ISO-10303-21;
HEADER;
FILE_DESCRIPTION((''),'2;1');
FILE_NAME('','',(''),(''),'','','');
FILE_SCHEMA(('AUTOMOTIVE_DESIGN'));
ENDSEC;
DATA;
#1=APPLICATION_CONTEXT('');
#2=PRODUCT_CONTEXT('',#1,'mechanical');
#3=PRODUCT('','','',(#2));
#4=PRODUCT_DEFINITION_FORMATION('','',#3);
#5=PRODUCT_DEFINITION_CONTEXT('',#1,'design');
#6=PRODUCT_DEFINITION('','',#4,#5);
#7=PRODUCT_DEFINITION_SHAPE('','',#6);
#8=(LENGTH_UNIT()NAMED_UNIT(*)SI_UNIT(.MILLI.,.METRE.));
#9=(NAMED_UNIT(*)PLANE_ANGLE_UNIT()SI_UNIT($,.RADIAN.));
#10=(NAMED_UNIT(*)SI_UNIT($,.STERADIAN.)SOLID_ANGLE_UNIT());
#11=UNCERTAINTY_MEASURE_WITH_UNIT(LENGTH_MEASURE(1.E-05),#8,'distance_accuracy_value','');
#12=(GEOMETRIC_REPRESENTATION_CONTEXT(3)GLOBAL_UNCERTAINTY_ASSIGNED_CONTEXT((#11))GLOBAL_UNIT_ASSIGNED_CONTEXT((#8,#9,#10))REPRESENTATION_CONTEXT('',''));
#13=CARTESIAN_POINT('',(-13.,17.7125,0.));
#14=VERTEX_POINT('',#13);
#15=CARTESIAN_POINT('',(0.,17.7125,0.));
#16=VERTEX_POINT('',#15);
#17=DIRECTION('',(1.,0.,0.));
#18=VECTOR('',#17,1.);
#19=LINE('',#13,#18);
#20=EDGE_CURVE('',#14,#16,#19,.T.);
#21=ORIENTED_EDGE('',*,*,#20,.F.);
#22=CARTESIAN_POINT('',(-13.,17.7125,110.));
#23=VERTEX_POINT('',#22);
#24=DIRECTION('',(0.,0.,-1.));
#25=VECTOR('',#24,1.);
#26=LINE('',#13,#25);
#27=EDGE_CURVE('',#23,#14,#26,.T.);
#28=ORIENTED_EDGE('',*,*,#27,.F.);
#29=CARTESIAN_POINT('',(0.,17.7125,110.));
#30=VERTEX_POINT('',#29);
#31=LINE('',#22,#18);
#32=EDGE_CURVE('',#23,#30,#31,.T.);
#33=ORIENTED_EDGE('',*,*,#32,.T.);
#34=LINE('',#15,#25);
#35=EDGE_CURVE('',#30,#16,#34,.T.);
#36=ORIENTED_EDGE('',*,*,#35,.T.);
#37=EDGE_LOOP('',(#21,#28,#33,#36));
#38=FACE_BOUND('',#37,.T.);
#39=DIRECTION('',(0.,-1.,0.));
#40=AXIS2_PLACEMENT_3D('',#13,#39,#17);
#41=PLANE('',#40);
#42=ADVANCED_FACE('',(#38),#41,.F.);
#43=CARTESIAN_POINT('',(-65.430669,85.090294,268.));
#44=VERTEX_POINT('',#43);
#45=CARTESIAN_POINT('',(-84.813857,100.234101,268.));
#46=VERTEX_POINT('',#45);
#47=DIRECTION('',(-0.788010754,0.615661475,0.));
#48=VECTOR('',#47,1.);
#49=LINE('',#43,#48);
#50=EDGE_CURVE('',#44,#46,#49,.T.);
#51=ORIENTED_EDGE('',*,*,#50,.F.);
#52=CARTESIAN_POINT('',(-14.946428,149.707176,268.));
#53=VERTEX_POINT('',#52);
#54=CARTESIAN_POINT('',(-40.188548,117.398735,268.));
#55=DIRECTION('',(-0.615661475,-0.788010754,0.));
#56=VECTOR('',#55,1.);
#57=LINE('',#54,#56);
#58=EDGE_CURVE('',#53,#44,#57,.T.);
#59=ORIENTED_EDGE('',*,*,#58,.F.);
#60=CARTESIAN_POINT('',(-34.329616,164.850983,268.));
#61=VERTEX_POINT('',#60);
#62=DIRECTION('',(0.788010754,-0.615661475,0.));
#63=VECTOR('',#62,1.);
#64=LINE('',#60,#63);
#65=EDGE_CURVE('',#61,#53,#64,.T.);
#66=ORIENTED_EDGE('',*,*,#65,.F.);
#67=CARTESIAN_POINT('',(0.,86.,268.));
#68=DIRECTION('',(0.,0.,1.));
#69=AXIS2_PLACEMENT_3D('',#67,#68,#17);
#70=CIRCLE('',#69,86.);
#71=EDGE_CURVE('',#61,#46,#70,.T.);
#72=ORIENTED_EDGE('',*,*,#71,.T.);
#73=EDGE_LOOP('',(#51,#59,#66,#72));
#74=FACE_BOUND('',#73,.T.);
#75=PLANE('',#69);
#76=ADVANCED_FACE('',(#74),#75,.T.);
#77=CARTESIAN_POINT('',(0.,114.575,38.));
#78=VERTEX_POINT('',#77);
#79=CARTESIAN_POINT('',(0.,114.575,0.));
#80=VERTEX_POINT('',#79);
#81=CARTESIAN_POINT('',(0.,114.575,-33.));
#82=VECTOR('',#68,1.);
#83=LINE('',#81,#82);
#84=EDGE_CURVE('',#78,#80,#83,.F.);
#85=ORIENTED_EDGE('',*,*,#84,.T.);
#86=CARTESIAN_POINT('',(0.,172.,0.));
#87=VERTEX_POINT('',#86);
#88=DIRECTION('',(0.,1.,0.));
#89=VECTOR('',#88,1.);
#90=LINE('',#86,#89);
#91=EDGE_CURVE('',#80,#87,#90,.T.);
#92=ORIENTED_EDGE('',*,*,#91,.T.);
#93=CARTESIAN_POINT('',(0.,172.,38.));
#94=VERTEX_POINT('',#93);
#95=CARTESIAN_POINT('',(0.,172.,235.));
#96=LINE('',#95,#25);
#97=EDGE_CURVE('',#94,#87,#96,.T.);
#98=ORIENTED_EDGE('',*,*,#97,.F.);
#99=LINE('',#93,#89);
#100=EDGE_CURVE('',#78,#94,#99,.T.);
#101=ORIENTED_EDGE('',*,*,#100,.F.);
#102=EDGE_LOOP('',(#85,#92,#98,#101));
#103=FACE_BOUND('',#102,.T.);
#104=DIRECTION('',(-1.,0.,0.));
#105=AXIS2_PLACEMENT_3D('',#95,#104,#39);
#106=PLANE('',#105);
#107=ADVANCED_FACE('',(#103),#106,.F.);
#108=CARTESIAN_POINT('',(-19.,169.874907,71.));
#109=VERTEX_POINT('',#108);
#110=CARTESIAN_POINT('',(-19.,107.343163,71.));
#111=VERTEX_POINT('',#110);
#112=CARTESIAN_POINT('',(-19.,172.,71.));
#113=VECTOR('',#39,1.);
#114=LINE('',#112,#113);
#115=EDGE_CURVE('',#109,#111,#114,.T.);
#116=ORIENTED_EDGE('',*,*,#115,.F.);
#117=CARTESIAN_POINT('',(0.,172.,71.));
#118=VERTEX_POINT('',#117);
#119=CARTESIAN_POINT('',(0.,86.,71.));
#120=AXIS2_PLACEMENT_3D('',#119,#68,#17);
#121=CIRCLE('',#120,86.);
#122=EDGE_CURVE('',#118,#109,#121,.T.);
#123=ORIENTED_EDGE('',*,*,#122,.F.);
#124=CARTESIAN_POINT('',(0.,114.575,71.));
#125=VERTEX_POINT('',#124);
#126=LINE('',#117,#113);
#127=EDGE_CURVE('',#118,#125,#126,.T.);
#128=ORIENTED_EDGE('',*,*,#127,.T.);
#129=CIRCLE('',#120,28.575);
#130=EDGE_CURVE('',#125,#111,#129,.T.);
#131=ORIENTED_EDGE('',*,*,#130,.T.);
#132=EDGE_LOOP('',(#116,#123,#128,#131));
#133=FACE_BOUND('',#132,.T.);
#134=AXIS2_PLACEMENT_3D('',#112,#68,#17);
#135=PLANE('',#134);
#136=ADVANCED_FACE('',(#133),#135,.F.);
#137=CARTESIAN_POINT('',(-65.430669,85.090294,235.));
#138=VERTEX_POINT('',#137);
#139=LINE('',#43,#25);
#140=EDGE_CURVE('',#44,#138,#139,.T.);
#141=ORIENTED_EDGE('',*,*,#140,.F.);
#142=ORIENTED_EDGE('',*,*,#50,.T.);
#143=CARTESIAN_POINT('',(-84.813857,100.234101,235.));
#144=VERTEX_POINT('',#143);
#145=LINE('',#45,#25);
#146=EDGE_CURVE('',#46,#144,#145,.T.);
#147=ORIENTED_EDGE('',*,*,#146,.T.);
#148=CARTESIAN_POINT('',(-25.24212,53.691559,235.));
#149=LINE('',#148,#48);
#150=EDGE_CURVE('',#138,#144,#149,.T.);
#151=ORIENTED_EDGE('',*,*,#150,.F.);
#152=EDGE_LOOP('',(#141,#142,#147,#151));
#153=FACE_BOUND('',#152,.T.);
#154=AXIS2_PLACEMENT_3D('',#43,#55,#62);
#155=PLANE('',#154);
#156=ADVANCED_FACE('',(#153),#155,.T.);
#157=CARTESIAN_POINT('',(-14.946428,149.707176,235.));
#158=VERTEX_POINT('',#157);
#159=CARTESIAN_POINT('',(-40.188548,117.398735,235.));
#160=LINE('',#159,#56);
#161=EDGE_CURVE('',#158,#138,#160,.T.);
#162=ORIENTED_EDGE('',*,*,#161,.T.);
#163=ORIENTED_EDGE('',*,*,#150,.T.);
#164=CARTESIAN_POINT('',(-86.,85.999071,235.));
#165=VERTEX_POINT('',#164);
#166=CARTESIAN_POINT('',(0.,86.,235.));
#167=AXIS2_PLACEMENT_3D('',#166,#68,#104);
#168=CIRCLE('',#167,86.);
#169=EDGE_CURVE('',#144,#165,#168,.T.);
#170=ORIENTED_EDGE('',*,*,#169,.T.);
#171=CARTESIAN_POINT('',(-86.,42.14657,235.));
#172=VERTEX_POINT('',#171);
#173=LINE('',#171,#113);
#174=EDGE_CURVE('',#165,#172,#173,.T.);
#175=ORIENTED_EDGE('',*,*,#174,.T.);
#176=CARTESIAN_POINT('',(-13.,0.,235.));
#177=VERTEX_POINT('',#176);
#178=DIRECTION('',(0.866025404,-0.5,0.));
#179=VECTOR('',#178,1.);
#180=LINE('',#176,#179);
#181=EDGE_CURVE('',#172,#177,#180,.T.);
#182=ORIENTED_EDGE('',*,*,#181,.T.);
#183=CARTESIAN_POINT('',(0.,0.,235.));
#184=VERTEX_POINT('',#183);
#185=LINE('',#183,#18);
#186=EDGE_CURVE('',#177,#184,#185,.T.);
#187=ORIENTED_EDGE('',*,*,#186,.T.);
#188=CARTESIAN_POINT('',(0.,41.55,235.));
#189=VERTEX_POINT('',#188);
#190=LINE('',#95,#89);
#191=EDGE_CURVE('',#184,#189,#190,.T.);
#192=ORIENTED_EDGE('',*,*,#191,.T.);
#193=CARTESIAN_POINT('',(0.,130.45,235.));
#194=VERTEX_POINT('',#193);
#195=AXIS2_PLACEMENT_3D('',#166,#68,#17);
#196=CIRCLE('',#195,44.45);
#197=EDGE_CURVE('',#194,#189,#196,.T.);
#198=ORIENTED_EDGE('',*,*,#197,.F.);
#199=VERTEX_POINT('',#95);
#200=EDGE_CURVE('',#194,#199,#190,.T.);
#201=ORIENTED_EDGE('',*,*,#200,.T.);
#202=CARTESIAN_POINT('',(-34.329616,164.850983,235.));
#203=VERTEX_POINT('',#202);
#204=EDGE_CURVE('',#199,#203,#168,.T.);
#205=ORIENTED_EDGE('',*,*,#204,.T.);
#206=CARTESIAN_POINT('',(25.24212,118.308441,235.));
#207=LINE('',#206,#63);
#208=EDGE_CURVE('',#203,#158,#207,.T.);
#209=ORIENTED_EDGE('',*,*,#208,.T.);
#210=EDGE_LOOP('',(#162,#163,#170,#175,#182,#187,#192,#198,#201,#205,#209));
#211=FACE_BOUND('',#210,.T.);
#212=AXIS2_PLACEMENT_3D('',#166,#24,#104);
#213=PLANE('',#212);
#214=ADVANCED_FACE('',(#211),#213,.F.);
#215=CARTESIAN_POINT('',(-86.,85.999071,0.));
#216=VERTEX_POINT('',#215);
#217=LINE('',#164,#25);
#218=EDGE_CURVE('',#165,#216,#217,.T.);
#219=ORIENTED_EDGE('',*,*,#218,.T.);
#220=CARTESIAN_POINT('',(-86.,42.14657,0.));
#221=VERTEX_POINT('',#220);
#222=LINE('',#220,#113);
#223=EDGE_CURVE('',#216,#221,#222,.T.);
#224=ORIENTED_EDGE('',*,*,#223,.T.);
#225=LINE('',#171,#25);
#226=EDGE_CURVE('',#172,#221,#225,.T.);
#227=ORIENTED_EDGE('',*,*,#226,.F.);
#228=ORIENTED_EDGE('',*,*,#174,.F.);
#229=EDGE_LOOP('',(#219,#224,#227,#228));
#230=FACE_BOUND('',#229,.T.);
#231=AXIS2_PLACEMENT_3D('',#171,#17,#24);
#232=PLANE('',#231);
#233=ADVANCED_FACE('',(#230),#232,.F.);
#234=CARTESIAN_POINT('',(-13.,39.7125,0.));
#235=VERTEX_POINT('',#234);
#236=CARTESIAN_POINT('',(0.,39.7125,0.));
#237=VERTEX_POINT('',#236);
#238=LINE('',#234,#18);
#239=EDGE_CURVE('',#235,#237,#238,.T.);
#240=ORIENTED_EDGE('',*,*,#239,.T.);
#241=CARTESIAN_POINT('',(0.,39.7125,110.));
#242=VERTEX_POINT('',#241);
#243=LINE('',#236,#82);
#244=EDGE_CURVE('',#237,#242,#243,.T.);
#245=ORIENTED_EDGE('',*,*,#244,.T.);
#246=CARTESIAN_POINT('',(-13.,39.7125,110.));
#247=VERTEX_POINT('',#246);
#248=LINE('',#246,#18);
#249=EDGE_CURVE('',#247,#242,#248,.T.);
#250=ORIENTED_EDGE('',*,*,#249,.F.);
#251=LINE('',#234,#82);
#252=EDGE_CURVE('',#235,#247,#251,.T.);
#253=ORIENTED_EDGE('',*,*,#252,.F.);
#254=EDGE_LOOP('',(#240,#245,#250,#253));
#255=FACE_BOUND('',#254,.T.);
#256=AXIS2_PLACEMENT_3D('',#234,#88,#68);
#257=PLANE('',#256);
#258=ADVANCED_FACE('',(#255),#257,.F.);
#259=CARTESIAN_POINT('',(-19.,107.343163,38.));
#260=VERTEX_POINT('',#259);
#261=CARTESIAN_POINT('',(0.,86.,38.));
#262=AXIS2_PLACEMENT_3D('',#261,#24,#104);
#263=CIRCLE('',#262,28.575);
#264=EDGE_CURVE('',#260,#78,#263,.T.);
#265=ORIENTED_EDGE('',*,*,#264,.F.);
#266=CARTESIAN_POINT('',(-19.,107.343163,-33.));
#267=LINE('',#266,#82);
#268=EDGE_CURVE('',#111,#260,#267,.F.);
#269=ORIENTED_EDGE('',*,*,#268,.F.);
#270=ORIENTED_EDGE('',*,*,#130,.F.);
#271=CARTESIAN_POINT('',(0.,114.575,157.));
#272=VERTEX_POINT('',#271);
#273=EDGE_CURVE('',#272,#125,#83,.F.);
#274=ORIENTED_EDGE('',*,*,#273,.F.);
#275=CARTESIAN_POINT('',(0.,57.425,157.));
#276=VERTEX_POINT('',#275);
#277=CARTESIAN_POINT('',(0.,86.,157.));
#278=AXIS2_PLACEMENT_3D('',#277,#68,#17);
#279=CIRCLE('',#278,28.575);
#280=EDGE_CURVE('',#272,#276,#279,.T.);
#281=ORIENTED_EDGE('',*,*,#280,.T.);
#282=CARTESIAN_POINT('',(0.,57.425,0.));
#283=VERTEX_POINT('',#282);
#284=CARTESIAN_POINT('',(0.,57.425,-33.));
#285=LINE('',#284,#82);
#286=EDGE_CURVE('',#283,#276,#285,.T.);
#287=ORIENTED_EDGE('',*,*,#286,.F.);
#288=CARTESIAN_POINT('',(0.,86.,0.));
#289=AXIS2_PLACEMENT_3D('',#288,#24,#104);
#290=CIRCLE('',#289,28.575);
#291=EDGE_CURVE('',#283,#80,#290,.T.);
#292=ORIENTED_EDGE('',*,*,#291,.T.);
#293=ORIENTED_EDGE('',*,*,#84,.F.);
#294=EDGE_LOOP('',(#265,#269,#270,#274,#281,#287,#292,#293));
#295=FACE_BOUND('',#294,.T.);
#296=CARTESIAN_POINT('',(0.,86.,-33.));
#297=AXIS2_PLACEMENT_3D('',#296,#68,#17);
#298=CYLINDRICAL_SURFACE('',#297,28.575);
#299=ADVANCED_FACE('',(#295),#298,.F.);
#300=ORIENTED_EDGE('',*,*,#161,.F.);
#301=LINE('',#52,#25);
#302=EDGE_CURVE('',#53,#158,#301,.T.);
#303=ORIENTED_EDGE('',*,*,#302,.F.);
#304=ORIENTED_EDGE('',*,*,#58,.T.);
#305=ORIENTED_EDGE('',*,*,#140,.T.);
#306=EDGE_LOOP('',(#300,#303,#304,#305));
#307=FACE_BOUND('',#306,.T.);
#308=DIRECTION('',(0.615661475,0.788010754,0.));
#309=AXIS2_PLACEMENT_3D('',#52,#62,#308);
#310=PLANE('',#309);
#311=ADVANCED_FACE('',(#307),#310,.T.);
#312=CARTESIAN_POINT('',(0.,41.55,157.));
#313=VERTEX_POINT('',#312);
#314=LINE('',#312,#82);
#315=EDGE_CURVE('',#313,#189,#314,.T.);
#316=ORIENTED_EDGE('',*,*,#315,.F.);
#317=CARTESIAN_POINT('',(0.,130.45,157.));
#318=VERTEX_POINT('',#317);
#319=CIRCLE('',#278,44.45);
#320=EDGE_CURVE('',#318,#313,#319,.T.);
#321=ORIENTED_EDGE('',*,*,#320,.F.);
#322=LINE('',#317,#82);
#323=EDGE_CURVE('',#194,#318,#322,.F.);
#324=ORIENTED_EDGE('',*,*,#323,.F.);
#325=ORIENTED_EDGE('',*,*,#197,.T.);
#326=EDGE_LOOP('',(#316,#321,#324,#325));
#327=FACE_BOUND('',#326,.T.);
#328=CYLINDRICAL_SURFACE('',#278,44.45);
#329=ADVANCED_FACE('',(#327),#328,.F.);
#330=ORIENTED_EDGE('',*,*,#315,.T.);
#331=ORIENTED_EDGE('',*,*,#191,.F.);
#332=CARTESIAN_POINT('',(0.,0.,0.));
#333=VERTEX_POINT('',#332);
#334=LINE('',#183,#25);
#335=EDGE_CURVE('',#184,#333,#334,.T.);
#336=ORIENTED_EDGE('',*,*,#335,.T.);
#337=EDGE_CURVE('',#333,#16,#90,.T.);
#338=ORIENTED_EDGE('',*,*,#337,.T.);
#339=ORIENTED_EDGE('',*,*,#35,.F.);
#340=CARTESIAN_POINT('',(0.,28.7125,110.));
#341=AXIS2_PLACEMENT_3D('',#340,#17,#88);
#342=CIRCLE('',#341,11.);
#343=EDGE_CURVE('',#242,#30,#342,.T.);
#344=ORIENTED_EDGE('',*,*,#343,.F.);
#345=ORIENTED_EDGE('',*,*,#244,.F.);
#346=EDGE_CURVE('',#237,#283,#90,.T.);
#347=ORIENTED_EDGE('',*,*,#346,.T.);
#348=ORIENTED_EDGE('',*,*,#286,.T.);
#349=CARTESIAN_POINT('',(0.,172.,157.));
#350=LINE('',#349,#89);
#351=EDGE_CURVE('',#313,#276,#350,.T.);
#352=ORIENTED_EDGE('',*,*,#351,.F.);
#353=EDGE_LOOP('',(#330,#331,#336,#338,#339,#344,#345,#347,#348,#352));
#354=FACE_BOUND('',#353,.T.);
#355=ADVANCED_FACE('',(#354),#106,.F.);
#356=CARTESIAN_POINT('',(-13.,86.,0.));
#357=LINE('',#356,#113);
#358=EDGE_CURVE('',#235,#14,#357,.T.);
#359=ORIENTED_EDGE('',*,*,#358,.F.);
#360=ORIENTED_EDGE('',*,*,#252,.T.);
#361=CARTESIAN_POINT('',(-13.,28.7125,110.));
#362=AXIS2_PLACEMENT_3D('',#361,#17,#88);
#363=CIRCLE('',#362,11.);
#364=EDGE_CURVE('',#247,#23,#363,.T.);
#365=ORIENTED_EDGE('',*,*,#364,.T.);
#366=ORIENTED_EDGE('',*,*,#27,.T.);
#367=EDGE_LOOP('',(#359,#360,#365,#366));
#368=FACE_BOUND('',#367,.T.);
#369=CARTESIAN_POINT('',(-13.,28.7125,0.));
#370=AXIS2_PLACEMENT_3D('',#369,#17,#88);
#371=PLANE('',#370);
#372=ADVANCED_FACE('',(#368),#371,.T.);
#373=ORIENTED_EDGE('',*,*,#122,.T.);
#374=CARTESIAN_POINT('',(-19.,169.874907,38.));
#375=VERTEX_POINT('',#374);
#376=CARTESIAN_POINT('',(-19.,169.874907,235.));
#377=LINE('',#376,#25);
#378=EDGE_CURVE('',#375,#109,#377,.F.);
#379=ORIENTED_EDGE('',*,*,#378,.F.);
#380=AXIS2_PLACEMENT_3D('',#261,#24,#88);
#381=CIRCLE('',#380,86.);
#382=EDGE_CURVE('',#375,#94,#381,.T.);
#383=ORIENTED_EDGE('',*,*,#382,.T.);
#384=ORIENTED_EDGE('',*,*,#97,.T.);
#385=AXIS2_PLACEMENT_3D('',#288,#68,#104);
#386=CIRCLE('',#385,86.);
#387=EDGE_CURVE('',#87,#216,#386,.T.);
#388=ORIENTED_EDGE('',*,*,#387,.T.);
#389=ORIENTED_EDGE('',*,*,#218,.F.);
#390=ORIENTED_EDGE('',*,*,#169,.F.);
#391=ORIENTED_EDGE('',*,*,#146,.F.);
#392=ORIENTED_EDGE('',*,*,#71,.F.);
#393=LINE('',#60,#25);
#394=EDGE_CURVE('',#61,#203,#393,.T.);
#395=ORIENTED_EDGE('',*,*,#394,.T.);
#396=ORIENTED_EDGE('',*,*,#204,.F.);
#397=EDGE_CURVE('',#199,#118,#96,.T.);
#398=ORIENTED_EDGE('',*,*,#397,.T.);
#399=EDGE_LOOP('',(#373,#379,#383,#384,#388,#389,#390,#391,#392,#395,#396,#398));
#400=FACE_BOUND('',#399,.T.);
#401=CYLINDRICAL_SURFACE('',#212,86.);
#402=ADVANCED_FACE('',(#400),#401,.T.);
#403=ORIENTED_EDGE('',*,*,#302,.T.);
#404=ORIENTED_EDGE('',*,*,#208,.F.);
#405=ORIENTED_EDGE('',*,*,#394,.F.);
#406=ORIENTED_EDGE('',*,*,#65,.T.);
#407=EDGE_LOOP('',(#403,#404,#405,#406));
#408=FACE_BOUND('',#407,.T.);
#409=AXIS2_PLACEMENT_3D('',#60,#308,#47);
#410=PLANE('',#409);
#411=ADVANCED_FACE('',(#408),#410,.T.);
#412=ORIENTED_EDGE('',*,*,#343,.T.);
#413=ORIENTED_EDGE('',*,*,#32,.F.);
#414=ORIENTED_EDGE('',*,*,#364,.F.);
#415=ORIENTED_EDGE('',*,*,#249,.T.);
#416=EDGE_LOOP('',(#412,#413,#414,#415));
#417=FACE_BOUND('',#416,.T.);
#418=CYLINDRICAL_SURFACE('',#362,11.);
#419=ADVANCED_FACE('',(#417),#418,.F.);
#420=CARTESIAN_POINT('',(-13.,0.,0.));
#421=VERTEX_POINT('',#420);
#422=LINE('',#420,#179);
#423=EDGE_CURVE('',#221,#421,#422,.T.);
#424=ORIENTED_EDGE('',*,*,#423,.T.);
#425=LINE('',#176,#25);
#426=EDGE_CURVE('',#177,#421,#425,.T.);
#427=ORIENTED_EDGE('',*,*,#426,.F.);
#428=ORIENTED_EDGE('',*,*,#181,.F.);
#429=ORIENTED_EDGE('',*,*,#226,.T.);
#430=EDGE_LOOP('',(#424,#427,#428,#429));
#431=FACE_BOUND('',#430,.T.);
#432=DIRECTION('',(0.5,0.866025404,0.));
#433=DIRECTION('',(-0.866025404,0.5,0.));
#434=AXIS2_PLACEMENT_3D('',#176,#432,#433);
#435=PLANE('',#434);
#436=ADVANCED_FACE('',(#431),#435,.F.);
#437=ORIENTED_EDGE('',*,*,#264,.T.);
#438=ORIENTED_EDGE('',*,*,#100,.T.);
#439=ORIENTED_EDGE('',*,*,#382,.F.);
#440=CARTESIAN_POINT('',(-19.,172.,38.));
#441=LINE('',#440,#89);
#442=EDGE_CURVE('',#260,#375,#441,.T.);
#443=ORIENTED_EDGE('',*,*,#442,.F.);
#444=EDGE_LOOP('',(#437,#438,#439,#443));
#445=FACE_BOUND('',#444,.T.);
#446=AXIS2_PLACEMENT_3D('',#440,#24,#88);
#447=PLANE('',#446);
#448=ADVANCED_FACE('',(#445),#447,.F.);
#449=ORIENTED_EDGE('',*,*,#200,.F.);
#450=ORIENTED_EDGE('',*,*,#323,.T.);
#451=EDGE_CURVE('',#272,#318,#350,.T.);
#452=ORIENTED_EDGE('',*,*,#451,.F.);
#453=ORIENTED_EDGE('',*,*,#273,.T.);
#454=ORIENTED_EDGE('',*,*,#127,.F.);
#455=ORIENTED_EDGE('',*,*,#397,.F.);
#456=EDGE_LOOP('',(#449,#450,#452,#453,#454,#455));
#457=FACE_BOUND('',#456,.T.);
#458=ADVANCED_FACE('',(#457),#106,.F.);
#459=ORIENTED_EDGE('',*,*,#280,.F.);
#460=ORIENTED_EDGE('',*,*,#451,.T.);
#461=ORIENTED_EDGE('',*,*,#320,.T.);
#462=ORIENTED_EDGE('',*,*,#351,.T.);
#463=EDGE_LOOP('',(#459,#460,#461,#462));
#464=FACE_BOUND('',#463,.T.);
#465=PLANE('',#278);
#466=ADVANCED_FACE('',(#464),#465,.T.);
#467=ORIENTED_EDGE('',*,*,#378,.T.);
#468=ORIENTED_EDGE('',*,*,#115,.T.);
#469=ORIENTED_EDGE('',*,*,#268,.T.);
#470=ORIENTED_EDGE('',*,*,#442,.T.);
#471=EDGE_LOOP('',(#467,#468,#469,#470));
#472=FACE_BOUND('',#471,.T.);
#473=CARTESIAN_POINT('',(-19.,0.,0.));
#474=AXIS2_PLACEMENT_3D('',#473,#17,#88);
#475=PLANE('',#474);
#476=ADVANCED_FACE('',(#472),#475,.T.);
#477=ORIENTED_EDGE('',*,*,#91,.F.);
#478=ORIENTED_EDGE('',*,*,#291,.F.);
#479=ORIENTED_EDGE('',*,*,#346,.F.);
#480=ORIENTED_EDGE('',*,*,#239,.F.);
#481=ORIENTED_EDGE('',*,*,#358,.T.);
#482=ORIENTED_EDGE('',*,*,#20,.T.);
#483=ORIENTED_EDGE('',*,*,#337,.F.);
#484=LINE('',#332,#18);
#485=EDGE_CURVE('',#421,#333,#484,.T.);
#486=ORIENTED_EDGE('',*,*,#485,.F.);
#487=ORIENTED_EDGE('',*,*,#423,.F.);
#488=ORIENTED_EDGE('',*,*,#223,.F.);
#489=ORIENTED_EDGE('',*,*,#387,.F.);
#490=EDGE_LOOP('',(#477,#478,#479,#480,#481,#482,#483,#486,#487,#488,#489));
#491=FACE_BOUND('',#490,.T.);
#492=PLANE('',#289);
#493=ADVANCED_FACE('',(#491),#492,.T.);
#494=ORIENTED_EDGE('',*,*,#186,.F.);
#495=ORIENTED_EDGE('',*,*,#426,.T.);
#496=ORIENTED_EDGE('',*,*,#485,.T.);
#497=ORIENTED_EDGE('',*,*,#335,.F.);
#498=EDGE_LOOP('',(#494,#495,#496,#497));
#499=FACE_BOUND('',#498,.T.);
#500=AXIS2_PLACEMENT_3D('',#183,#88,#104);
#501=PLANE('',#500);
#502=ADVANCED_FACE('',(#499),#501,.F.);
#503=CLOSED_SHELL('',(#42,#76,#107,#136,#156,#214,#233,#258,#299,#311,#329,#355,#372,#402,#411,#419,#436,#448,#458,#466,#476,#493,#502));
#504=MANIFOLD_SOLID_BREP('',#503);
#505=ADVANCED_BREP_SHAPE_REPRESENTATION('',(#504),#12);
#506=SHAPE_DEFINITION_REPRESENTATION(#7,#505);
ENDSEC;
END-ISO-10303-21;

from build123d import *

# Parameters (mm, degrees)
BOSS_EXTRU_2_DEPTH           = 235
ESQUISSE2_R                  = 44.45
ENL_V_MAT_EXTRU_1_DEPTH      = 78
ESQUISSE3_R                  = 28.575
ENL_V_MAT_EXTRU_2_DEPTH      = 190
ENL_V_MAT_EXTRU_3_DEPTH      = 13
BOSS_EXTRU_3_DEPTH           = 111
ESQUISSE10_W                 = 33
ESQUISSE10_H                 = 39.549429839
ENL_V_MAT_EXTRU_5_DEPTH      = 19
ENL_V_MAT_EXTRU_6_REACH      = 313.068
ENL_V_MAT_EXTRU_6_END_RADIUS = 28.575
ESQUISSE11_W                 = 19
ESQUISSE11_H                 = 33


with BuildPart() as part:
    # Esquisse1 → Boss.-Extru.2 (new body)
    with BuildSketch(Plane.XY):
        with BuildLine():
            Line((0, 0), (-13, 0))
            Line((-13, 0), (-86, 42.146569651))
            Line((-86, 42.146569651), (-86, 85.999071056))
            ThreePointArc((-86, 85.999071056), (-60.811511616, 146.810854752), (0, 172))
            Line((0, 172), (0, 0))
        make_face()
    extrude(amount=BOSS_EXTRU_2_DEPTH)

    # Esquisse2 → Enlèv. mat.-Extru.1 (cut)
    with BuildSketch(Plane.XY.offset(235)):
        with Locations((0, 86)):
            Circle(ESQUISSE2_R)
    extrude(amount=-ENL_V_MAT_EXTRU_1_DEPTH, mode=Mode.SUBTRACT)

    # Esquisse3 → Enlèv. mat.-Extru.2 (cut)
    with BuildSketch(Plane.XY.offset(157)):
        with Locations((0, 86)):
            Circle(ESQUISSE3_R)
    extrude(amount=-ENL_V_MAT_EXTRU_2_DEPTH, mode=Mode.SUBTRACT)

    # Esquisse4 → Enlèv. mat.-Extru.3 (cut)
    with BuildSketch(Plane(origin=(0, 0, 0), x_dir=(0, 0, -1), z_dir=(1, 0, 0))):
        with BuildLine():
            Line((0, 17.7125), (-110, 17.7125))
            ThreePointArc((-110, 17.7125), (-121, 28.7125), (-110, 39.7125))
            Line((-110, 39.7125), (0, 39.7125))
            ThreePointArc((0, 39.7125), (11, 28.7125), (0, 17.7125))
        make_face()
    extrude(amount=-ENL_V_MAT_EXTRU_3_DEPTH, mode=Mode.SUBTRACT)

    # Esquisse7 → Boss.-Extru.3 (add)
    with BuildSketch(Plane.XY.offset(157)):
        with BuildLine():
            Line((-34.329616244, 164.850982549), (-14.946427951, 149.707176139))
            Line((-14.946427951, 149.707176139), (-40.188548439, 117.398735242))
            Line((-40.188548439, 117.398735242), (-65.430668927, 85.090294344))
            Line((-65.430668927, 85.090294344), (-84.81385722, 100.234100753))
            ThreePointArc((-84.81385722, 100.234100753), (-67.768924815, 138.946886878), (-34.329616244, 164.850982549))
        make_face()
    extrude(amount=BOSS_EXTRU_3_DEPTH)

    # Esquisse10 → Enlèv. mat.-Extru.5 (cut)
    with BuildSketch(Plane(origin=(0, 0, 0), x_dir=(0, 0, -1), z_dir=(1, 0, 0))):
        with Locations((-54.5, 152.22528508)):
            Rectangle(ESQUISSE10_W, ESQUISSE10_H)
    extrude(amount=-ENL_V_MAT_EXTRU_5_DEPTH, mode=Mode.SUBTRACT)

    # Enlèv. mat.-Extru.6: up to this cylinder (the profile starts outside it)
    enl_v_mat_extru_6_end = Plane(origin=(0, 86, 54.5), z_dir=(0, 0, 1)) * Cylinder(ENL_V_MAT_EXTRU_6_END_RADIUS, 684.286, mode=Mode.PRIVATE)
    # Esquisse11 → Enlèv. mat.-Extru.6 (cut, up to the surface)
    with BuildSketch(Plane(origin=(0, 132.450570161, 0), x_dir=(1, 0, 0), z_dir=(0, 1, 0)), mode=Mode.PRIVATE) as enl_v_mat_extru_6_sk1:
        with Locations((-9.5, -54.5)):
            Rectangle(ESQUISSE11_W, ESQUISSE11_H)
    enl_v_mat_extru_6_tool1 = extrude(enl_v_mat_extru_6_sk1.sketch, amount=-ENL_V_MAT_EXTRU_6_REACH, mode=Mode.PRIVATE) - enl_v_mat_extru_6_end
    add(enl_v_mat_extru_6_tool1.solids().sort_by_distance((-9.5, 132.45057, 54.5))[0], mode=Mode.SUBTRACT)


solid = part.part
